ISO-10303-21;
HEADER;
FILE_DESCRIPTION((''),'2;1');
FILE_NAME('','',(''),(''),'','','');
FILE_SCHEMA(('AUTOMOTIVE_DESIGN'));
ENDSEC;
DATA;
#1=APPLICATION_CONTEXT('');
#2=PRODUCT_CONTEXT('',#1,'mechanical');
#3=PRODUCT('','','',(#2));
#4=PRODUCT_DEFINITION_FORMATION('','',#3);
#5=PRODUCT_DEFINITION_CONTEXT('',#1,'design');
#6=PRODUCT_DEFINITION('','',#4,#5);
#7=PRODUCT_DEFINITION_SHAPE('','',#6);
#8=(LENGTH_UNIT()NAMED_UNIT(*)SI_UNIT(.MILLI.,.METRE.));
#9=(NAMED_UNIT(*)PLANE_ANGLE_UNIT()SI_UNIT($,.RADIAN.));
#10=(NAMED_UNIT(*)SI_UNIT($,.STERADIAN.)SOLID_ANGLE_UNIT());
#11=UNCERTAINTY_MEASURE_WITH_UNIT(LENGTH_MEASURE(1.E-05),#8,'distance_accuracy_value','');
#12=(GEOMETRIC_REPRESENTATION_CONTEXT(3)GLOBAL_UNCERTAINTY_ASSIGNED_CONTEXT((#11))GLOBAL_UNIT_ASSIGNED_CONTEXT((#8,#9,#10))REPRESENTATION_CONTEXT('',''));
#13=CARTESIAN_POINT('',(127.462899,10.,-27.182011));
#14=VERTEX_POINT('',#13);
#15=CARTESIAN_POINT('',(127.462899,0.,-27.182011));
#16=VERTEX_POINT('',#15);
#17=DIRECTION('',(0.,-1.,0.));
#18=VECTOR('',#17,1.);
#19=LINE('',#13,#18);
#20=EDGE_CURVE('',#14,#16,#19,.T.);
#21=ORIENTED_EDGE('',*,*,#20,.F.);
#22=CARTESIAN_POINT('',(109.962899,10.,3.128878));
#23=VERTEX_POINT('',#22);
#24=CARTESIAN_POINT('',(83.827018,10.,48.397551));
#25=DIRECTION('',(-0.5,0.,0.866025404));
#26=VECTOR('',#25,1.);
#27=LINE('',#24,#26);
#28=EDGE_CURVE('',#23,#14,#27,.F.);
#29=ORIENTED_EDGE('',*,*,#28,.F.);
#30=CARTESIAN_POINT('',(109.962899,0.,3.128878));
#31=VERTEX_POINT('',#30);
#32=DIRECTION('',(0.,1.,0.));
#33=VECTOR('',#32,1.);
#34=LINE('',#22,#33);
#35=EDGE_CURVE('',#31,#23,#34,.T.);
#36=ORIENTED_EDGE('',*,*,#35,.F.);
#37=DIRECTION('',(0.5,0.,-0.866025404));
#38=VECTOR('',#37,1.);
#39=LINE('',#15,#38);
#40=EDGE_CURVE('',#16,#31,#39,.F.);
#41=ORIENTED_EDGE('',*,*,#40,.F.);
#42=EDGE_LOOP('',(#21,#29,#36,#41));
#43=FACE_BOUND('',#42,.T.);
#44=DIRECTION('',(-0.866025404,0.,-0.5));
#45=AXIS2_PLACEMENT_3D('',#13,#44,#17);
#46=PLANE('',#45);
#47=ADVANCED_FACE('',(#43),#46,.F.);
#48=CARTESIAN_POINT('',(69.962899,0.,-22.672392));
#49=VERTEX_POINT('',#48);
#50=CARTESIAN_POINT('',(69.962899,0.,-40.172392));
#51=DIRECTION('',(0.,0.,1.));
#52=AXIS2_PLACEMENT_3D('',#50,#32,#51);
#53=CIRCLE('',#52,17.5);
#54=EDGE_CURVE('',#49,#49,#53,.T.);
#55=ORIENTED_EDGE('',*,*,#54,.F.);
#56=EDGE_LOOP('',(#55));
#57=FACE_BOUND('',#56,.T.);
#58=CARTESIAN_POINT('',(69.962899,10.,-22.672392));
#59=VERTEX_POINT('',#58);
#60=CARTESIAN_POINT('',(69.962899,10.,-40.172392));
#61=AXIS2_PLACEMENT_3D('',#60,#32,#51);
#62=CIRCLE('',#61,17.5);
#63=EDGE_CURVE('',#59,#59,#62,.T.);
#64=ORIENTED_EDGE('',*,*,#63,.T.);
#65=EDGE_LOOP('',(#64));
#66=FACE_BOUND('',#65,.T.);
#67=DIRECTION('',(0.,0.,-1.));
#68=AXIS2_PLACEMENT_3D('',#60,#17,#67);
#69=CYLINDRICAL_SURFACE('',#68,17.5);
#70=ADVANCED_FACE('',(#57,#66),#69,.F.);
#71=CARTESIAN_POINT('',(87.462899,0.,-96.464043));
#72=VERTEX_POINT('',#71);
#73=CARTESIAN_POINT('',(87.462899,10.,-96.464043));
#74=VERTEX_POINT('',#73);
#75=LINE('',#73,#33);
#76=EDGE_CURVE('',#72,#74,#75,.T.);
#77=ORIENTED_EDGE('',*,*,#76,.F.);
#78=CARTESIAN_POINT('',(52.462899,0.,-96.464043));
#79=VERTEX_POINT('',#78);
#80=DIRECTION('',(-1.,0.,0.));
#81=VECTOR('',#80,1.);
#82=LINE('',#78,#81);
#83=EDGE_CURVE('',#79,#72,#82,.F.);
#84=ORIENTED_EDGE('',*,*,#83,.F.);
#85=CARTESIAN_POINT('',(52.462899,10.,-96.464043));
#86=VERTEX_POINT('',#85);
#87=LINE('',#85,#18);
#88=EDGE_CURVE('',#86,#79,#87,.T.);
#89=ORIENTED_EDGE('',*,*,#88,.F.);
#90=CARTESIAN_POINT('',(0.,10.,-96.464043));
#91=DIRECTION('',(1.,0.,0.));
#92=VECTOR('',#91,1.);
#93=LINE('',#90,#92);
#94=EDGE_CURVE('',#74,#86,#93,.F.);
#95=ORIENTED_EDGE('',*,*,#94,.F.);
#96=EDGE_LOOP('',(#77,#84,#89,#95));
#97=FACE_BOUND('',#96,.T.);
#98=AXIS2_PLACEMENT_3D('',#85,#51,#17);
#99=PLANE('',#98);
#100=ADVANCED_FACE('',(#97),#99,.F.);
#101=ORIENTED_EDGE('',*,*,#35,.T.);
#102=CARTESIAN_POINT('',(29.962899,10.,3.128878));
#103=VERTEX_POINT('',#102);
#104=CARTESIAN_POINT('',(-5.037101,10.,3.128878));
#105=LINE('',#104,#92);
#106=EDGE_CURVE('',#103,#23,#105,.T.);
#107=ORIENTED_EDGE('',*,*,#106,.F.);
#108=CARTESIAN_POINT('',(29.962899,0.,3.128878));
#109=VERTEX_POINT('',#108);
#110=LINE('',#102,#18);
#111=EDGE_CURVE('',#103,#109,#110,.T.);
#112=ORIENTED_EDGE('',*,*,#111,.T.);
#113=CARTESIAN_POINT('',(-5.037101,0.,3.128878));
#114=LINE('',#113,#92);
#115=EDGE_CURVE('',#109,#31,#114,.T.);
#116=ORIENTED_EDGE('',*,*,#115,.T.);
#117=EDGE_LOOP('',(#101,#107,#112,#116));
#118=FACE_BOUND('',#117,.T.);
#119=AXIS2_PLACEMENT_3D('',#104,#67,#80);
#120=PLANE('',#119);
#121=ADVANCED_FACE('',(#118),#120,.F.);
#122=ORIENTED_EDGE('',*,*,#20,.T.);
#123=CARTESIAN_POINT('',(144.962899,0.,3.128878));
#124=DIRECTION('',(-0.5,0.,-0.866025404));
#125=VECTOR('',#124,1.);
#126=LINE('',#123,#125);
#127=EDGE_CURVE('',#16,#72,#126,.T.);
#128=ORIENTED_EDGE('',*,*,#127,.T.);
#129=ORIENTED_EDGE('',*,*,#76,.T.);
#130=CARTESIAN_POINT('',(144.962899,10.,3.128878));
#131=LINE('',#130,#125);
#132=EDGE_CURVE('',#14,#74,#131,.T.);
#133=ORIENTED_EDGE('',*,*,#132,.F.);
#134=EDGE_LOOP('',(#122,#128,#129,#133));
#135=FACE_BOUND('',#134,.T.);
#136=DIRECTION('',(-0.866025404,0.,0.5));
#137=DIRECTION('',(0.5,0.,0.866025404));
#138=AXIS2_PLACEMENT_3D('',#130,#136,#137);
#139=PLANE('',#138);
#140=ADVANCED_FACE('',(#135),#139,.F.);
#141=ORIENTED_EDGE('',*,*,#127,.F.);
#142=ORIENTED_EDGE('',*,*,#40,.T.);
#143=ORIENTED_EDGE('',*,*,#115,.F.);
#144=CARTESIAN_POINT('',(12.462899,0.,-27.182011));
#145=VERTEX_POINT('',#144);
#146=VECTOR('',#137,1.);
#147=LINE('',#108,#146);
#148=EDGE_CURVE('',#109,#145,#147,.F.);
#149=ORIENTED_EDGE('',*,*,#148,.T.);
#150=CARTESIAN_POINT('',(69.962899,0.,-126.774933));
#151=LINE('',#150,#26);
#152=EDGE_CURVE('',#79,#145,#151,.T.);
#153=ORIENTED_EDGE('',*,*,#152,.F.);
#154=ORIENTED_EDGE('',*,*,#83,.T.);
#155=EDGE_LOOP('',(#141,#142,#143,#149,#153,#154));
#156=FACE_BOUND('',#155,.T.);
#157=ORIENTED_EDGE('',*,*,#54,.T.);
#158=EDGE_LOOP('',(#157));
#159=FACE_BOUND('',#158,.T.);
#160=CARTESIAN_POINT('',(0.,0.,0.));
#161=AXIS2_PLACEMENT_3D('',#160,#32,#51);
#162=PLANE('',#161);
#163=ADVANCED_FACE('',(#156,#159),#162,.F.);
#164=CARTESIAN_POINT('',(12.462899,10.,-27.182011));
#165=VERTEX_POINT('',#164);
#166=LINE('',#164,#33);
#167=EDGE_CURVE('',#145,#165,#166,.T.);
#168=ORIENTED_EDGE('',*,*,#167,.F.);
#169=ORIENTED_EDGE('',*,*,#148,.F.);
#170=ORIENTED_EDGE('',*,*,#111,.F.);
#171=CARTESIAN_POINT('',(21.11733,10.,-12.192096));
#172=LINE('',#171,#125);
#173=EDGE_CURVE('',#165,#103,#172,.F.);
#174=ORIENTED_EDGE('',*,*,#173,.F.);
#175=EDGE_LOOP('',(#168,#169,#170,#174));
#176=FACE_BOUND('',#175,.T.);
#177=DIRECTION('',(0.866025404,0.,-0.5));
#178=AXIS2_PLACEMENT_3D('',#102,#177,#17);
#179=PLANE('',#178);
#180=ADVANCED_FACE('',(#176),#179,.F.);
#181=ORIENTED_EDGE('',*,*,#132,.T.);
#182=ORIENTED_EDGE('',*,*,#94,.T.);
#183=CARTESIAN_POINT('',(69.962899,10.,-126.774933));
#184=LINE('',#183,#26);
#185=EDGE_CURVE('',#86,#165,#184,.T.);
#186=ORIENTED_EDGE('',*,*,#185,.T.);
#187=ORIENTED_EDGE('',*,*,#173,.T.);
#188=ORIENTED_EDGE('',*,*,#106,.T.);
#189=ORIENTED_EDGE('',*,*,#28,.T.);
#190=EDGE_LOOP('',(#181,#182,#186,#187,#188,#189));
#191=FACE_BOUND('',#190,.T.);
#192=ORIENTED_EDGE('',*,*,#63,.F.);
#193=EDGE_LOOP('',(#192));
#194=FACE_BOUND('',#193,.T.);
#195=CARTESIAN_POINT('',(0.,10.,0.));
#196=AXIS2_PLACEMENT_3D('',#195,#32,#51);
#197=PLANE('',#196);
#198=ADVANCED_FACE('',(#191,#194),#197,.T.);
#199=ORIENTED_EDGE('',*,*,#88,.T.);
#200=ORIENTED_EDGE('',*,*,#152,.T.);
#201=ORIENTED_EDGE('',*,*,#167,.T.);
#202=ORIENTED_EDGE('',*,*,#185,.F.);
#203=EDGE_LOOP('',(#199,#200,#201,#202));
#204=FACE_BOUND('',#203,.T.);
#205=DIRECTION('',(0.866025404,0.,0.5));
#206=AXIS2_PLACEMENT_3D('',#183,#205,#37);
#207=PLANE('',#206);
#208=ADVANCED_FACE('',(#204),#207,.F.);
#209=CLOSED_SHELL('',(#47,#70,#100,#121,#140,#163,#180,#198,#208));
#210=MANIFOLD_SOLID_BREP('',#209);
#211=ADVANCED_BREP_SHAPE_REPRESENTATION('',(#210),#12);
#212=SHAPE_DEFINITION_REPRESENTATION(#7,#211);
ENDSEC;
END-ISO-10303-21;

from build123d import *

# Parameters (mm, degrees)
SKETCH1_R            = 17.5
BOSS_EXTRUDE1_DEPTH  = 10
CHAMFER1_SIZE        = 35
CHAMFER1_EDGE_2_SIZE = 35
CHAMFER1_EDGE_3_SIZE = 35


with BuildPart() as part:
    # Sketch1 → Boss-Extrude1 (new body)
    with BuildSketch(Plane(origin=(0, 0, 0), x_dir=(1, 0, 0), z_dir=(0, 1, 0))):
        Polygon((-5.037101102, -3.128878012), (144.962898898, -3.128878012), (69.962898898, 126.774932556), align=None)
        with Locations(Location((69.962898898, 40.172392178, 0), (0, 0, 270))):
            Circle(SKETCH1_R, mode=Mode.SUBTRACT)
    extrude(amount=BOSS_EXTRUDE1_DEPTH)

    # Chamfer1
    chamfer1_edges = [part.edges().sort_by_distance(p)[0] for p in [
        (69.962898898, 5, -126.774932556),
    ]]
    chamfer(chamfer1_edges, length=CHAMFER1_SIZE)

    # Chamfer1 edge 2
    chamfer1_edge_2_edges = [part.edges().sort_by_distance(p)[0] for p in [
        (144.962898898, 5, 3.128878012),
    ]]
    chamfer(chamfer1_edge_2_edges, length=CHAMFER1_EDGE_2_SIZE)

    # Chamfer1 edge 3
    chamfer1_edge_3_edges = [part.edges().sort_by_distance(p)[0] for p in [
        (-5.037101102, 5, 3.128878012),
    ]]
    chamfer(chamfer1_edge_3_edges, length=CHAMFER1_EDGE_3_SIZE)


solid = part.part
